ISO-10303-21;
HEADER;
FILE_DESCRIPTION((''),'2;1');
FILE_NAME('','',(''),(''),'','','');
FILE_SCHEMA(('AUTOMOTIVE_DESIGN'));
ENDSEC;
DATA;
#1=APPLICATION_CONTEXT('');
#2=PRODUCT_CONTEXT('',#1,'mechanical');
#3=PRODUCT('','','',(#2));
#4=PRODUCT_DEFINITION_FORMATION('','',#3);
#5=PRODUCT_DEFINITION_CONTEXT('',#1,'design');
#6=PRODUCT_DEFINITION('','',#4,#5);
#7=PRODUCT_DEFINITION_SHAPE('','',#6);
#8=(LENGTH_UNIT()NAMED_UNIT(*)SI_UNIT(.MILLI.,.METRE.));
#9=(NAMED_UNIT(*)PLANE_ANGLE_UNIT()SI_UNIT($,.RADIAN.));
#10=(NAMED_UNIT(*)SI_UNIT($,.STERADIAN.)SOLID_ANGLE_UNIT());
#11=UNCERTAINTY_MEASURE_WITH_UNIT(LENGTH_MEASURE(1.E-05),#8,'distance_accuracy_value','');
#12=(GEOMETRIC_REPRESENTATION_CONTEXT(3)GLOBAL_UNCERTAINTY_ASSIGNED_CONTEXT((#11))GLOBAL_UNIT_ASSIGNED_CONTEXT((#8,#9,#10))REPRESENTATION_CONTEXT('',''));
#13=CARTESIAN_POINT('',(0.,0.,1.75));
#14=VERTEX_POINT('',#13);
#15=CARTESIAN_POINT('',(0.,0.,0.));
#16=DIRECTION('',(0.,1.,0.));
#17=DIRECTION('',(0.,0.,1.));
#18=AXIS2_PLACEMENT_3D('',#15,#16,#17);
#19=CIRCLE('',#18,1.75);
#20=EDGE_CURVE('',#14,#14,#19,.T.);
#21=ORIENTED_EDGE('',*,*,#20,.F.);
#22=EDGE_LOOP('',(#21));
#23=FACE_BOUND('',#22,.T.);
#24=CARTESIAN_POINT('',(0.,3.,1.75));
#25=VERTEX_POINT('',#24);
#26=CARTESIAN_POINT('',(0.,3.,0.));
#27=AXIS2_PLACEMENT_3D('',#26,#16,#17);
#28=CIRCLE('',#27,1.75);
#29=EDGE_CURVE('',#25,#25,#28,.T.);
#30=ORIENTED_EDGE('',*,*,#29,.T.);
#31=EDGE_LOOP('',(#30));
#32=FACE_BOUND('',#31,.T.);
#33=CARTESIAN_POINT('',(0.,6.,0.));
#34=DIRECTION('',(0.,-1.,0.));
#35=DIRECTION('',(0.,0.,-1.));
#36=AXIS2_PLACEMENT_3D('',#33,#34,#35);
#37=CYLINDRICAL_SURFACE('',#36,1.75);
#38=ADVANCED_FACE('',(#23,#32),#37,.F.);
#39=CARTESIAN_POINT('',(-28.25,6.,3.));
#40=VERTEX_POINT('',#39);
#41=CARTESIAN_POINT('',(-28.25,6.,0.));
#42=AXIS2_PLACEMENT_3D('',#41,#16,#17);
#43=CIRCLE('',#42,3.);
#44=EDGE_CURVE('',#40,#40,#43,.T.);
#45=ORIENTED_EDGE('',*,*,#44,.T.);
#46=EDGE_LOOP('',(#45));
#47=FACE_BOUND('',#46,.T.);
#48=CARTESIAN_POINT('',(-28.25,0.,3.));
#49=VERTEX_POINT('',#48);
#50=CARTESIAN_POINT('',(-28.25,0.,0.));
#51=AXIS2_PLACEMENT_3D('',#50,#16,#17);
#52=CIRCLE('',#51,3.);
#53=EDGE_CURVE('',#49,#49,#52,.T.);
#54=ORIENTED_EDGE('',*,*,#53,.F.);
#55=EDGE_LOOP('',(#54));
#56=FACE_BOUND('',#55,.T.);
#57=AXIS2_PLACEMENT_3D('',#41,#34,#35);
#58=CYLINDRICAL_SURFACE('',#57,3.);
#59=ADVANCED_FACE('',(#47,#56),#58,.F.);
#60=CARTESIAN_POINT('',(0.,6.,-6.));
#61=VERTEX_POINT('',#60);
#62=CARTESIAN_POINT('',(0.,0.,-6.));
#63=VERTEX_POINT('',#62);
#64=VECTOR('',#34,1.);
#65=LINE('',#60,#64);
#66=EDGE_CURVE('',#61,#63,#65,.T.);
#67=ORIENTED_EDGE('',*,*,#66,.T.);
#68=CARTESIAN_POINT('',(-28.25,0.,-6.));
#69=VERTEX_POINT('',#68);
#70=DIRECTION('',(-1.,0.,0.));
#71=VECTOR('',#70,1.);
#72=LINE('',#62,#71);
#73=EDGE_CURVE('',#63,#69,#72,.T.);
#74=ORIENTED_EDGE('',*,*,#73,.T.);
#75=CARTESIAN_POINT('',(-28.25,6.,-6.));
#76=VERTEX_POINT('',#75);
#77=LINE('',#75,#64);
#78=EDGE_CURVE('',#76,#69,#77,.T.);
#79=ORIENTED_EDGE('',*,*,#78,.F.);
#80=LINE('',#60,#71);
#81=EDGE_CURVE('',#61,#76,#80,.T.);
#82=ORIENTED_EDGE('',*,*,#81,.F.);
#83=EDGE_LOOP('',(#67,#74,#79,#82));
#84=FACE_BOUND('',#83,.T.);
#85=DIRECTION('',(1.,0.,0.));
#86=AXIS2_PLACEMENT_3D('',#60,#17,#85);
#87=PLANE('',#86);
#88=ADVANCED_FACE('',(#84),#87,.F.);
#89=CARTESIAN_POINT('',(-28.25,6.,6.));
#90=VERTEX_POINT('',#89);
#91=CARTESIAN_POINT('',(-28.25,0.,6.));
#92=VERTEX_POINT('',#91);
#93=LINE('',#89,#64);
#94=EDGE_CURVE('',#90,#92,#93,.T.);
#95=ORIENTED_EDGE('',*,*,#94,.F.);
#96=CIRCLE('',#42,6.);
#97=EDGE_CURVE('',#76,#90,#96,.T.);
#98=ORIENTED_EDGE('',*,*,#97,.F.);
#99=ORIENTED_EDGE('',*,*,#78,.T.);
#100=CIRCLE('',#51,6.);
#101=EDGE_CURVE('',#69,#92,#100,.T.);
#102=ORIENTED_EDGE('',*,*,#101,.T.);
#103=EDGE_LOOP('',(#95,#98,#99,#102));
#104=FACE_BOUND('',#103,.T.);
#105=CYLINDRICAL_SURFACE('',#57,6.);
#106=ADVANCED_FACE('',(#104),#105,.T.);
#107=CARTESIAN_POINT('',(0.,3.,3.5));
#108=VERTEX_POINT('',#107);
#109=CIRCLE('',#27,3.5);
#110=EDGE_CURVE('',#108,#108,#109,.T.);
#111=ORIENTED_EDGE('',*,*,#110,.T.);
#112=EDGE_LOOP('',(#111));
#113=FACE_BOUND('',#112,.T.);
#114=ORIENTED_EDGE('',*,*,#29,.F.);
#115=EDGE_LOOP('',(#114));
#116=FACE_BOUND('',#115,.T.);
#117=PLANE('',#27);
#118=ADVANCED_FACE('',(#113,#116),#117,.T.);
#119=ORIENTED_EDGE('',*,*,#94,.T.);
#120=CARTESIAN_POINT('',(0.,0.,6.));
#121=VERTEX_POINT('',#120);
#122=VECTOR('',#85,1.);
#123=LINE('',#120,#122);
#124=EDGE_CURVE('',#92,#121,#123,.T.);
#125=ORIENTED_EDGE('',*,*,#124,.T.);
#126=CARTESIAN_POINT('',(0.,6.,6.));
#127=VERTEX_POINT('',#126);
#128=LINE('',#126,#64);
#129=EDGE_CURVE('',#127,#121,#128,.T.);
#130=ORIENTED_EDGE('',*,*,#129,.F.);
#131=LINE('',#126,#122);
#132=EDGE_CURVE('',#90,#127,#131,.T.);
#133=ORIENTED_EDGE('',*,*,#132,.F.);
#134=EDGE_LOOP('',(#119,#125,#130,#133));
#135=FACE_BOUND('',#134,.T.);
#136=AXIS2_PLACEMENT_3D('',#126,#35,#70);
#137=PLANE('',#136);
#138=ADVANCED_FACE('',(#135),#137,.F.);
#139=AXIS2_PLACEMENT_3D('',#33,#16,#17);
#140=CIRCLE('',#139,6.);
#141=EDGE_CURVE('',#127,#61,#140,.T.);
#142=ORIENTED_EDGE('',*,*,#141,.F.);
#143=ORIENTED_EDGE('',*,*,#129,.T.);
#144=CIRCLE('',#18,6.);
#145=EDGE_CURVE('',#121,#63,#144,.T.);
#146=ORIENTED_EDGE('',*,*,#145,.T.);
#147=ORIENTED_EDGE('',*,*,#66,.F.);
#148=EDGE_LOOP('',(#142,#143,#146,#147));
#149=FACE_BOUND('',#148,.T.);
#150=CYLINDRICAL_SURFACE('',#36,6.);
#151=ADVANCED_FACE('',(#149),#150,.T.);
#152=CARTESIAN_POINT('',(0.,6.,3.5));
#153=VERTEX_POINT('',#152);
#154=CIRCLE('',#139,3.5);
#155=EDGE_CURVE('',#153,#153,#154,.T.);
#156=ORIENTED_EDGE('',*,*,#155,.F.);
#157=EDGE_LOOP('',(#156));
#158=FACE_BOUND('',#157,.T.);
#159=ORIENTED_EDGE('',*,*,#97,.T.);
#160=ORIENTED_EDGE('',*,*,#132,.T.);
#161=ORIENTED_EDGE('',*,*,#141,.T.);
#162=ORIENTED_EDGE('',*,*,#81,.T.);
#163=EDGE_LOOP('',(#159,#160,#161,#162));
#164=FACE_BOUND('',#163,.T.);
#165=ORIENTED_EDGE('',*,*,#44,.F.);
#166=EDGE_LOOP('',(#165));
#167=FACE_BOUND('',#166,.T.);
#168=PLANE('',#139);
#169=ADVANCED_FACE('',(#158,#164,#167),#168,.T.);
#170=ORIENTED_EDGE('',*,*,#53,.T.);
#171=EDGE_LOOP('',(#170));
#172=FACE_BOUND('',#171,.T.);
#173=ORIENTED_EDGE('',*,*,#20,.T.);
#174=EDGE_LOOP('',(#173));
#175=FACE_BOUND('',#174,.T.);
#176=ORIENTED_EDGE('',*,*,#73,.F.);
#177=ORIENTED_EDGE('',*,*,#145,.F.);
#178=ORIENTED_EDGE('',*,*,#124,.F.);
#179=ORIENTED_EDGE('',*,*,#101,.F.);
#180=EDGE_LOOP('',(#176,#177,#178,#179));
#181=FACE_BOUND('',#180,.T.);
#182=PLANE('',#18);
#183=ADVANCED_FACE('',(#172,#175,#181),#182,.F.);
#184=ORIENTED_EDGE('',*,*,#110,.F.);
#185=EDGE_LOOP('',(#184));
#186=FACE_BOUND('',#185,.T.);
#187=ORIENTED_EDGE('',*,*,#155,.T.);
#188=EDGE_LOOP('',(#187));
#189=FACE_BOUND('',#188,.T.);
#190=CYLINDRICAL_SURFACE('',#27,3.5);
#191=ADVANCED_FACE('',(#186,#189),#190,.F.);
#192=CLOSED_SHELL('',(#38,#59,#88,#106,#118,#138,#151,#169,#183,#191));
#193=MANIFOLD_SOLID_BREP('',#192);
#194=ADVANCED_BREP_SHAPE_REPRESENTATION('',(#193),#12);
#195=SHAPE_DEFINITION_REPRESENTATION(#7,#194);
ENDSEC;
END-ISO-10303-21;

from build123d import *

# Parameters (mm, degrees)
SKETCH1_R           = 1.75
SKETCH1_R_2         = 3
BOSS_EXTRUDE1_DEPTH = 6
SKETCH2_R           = 3.5
CUT_EXTRUDE1_DEPTH  = 3


with BuildPart() as part:
    # Sketch1 → Boss-Extrude1 (new body)
    with BuildSketch(Plane(origin=(0, 0, 0), x_dir=(1, 0, 0), z_dir=(0, 1, 0))):
        with BuildLine():
            Line((0, -6), (-28.25, -6))
            ThreePointArc((-28.25, -6), (-34.25, 0), (-28.25, 6))
            Line((-28.25, 6), (0, 6))
            ThreePointArc((0, 6), (6, 0), (0, -6))
        make_face()
        with Locations(Location((0, 0, 0), (0, 0, 270))):
            Circle(SKETCH1_R, mode=Mode.SUBTRACT)
        with Locations(Location((-28.25, 0, 0), (0, 0, 270))):
            Circle(SKETCH1_R_2, mode=Mode.SUBTRACT)
    extrude(amount=BOSS_EXTRUDE1_DEPTH)

    # Sketch2 → Cut-Extrude1 (cut)
    with BuildSketch(Plane(origin=(0, 6, 0), x_dir=(1, 0, 0), z_dir=(0, 1, 0))):
        with Locations(Location((0, 0, 0), (0, 0, 270))):
            Circle(SKETCH2_R)
    extrude(amount=-CUT_EXTRUDE1_DEPTH, mode=Mode.SUBTRACT)


solid = part.part
